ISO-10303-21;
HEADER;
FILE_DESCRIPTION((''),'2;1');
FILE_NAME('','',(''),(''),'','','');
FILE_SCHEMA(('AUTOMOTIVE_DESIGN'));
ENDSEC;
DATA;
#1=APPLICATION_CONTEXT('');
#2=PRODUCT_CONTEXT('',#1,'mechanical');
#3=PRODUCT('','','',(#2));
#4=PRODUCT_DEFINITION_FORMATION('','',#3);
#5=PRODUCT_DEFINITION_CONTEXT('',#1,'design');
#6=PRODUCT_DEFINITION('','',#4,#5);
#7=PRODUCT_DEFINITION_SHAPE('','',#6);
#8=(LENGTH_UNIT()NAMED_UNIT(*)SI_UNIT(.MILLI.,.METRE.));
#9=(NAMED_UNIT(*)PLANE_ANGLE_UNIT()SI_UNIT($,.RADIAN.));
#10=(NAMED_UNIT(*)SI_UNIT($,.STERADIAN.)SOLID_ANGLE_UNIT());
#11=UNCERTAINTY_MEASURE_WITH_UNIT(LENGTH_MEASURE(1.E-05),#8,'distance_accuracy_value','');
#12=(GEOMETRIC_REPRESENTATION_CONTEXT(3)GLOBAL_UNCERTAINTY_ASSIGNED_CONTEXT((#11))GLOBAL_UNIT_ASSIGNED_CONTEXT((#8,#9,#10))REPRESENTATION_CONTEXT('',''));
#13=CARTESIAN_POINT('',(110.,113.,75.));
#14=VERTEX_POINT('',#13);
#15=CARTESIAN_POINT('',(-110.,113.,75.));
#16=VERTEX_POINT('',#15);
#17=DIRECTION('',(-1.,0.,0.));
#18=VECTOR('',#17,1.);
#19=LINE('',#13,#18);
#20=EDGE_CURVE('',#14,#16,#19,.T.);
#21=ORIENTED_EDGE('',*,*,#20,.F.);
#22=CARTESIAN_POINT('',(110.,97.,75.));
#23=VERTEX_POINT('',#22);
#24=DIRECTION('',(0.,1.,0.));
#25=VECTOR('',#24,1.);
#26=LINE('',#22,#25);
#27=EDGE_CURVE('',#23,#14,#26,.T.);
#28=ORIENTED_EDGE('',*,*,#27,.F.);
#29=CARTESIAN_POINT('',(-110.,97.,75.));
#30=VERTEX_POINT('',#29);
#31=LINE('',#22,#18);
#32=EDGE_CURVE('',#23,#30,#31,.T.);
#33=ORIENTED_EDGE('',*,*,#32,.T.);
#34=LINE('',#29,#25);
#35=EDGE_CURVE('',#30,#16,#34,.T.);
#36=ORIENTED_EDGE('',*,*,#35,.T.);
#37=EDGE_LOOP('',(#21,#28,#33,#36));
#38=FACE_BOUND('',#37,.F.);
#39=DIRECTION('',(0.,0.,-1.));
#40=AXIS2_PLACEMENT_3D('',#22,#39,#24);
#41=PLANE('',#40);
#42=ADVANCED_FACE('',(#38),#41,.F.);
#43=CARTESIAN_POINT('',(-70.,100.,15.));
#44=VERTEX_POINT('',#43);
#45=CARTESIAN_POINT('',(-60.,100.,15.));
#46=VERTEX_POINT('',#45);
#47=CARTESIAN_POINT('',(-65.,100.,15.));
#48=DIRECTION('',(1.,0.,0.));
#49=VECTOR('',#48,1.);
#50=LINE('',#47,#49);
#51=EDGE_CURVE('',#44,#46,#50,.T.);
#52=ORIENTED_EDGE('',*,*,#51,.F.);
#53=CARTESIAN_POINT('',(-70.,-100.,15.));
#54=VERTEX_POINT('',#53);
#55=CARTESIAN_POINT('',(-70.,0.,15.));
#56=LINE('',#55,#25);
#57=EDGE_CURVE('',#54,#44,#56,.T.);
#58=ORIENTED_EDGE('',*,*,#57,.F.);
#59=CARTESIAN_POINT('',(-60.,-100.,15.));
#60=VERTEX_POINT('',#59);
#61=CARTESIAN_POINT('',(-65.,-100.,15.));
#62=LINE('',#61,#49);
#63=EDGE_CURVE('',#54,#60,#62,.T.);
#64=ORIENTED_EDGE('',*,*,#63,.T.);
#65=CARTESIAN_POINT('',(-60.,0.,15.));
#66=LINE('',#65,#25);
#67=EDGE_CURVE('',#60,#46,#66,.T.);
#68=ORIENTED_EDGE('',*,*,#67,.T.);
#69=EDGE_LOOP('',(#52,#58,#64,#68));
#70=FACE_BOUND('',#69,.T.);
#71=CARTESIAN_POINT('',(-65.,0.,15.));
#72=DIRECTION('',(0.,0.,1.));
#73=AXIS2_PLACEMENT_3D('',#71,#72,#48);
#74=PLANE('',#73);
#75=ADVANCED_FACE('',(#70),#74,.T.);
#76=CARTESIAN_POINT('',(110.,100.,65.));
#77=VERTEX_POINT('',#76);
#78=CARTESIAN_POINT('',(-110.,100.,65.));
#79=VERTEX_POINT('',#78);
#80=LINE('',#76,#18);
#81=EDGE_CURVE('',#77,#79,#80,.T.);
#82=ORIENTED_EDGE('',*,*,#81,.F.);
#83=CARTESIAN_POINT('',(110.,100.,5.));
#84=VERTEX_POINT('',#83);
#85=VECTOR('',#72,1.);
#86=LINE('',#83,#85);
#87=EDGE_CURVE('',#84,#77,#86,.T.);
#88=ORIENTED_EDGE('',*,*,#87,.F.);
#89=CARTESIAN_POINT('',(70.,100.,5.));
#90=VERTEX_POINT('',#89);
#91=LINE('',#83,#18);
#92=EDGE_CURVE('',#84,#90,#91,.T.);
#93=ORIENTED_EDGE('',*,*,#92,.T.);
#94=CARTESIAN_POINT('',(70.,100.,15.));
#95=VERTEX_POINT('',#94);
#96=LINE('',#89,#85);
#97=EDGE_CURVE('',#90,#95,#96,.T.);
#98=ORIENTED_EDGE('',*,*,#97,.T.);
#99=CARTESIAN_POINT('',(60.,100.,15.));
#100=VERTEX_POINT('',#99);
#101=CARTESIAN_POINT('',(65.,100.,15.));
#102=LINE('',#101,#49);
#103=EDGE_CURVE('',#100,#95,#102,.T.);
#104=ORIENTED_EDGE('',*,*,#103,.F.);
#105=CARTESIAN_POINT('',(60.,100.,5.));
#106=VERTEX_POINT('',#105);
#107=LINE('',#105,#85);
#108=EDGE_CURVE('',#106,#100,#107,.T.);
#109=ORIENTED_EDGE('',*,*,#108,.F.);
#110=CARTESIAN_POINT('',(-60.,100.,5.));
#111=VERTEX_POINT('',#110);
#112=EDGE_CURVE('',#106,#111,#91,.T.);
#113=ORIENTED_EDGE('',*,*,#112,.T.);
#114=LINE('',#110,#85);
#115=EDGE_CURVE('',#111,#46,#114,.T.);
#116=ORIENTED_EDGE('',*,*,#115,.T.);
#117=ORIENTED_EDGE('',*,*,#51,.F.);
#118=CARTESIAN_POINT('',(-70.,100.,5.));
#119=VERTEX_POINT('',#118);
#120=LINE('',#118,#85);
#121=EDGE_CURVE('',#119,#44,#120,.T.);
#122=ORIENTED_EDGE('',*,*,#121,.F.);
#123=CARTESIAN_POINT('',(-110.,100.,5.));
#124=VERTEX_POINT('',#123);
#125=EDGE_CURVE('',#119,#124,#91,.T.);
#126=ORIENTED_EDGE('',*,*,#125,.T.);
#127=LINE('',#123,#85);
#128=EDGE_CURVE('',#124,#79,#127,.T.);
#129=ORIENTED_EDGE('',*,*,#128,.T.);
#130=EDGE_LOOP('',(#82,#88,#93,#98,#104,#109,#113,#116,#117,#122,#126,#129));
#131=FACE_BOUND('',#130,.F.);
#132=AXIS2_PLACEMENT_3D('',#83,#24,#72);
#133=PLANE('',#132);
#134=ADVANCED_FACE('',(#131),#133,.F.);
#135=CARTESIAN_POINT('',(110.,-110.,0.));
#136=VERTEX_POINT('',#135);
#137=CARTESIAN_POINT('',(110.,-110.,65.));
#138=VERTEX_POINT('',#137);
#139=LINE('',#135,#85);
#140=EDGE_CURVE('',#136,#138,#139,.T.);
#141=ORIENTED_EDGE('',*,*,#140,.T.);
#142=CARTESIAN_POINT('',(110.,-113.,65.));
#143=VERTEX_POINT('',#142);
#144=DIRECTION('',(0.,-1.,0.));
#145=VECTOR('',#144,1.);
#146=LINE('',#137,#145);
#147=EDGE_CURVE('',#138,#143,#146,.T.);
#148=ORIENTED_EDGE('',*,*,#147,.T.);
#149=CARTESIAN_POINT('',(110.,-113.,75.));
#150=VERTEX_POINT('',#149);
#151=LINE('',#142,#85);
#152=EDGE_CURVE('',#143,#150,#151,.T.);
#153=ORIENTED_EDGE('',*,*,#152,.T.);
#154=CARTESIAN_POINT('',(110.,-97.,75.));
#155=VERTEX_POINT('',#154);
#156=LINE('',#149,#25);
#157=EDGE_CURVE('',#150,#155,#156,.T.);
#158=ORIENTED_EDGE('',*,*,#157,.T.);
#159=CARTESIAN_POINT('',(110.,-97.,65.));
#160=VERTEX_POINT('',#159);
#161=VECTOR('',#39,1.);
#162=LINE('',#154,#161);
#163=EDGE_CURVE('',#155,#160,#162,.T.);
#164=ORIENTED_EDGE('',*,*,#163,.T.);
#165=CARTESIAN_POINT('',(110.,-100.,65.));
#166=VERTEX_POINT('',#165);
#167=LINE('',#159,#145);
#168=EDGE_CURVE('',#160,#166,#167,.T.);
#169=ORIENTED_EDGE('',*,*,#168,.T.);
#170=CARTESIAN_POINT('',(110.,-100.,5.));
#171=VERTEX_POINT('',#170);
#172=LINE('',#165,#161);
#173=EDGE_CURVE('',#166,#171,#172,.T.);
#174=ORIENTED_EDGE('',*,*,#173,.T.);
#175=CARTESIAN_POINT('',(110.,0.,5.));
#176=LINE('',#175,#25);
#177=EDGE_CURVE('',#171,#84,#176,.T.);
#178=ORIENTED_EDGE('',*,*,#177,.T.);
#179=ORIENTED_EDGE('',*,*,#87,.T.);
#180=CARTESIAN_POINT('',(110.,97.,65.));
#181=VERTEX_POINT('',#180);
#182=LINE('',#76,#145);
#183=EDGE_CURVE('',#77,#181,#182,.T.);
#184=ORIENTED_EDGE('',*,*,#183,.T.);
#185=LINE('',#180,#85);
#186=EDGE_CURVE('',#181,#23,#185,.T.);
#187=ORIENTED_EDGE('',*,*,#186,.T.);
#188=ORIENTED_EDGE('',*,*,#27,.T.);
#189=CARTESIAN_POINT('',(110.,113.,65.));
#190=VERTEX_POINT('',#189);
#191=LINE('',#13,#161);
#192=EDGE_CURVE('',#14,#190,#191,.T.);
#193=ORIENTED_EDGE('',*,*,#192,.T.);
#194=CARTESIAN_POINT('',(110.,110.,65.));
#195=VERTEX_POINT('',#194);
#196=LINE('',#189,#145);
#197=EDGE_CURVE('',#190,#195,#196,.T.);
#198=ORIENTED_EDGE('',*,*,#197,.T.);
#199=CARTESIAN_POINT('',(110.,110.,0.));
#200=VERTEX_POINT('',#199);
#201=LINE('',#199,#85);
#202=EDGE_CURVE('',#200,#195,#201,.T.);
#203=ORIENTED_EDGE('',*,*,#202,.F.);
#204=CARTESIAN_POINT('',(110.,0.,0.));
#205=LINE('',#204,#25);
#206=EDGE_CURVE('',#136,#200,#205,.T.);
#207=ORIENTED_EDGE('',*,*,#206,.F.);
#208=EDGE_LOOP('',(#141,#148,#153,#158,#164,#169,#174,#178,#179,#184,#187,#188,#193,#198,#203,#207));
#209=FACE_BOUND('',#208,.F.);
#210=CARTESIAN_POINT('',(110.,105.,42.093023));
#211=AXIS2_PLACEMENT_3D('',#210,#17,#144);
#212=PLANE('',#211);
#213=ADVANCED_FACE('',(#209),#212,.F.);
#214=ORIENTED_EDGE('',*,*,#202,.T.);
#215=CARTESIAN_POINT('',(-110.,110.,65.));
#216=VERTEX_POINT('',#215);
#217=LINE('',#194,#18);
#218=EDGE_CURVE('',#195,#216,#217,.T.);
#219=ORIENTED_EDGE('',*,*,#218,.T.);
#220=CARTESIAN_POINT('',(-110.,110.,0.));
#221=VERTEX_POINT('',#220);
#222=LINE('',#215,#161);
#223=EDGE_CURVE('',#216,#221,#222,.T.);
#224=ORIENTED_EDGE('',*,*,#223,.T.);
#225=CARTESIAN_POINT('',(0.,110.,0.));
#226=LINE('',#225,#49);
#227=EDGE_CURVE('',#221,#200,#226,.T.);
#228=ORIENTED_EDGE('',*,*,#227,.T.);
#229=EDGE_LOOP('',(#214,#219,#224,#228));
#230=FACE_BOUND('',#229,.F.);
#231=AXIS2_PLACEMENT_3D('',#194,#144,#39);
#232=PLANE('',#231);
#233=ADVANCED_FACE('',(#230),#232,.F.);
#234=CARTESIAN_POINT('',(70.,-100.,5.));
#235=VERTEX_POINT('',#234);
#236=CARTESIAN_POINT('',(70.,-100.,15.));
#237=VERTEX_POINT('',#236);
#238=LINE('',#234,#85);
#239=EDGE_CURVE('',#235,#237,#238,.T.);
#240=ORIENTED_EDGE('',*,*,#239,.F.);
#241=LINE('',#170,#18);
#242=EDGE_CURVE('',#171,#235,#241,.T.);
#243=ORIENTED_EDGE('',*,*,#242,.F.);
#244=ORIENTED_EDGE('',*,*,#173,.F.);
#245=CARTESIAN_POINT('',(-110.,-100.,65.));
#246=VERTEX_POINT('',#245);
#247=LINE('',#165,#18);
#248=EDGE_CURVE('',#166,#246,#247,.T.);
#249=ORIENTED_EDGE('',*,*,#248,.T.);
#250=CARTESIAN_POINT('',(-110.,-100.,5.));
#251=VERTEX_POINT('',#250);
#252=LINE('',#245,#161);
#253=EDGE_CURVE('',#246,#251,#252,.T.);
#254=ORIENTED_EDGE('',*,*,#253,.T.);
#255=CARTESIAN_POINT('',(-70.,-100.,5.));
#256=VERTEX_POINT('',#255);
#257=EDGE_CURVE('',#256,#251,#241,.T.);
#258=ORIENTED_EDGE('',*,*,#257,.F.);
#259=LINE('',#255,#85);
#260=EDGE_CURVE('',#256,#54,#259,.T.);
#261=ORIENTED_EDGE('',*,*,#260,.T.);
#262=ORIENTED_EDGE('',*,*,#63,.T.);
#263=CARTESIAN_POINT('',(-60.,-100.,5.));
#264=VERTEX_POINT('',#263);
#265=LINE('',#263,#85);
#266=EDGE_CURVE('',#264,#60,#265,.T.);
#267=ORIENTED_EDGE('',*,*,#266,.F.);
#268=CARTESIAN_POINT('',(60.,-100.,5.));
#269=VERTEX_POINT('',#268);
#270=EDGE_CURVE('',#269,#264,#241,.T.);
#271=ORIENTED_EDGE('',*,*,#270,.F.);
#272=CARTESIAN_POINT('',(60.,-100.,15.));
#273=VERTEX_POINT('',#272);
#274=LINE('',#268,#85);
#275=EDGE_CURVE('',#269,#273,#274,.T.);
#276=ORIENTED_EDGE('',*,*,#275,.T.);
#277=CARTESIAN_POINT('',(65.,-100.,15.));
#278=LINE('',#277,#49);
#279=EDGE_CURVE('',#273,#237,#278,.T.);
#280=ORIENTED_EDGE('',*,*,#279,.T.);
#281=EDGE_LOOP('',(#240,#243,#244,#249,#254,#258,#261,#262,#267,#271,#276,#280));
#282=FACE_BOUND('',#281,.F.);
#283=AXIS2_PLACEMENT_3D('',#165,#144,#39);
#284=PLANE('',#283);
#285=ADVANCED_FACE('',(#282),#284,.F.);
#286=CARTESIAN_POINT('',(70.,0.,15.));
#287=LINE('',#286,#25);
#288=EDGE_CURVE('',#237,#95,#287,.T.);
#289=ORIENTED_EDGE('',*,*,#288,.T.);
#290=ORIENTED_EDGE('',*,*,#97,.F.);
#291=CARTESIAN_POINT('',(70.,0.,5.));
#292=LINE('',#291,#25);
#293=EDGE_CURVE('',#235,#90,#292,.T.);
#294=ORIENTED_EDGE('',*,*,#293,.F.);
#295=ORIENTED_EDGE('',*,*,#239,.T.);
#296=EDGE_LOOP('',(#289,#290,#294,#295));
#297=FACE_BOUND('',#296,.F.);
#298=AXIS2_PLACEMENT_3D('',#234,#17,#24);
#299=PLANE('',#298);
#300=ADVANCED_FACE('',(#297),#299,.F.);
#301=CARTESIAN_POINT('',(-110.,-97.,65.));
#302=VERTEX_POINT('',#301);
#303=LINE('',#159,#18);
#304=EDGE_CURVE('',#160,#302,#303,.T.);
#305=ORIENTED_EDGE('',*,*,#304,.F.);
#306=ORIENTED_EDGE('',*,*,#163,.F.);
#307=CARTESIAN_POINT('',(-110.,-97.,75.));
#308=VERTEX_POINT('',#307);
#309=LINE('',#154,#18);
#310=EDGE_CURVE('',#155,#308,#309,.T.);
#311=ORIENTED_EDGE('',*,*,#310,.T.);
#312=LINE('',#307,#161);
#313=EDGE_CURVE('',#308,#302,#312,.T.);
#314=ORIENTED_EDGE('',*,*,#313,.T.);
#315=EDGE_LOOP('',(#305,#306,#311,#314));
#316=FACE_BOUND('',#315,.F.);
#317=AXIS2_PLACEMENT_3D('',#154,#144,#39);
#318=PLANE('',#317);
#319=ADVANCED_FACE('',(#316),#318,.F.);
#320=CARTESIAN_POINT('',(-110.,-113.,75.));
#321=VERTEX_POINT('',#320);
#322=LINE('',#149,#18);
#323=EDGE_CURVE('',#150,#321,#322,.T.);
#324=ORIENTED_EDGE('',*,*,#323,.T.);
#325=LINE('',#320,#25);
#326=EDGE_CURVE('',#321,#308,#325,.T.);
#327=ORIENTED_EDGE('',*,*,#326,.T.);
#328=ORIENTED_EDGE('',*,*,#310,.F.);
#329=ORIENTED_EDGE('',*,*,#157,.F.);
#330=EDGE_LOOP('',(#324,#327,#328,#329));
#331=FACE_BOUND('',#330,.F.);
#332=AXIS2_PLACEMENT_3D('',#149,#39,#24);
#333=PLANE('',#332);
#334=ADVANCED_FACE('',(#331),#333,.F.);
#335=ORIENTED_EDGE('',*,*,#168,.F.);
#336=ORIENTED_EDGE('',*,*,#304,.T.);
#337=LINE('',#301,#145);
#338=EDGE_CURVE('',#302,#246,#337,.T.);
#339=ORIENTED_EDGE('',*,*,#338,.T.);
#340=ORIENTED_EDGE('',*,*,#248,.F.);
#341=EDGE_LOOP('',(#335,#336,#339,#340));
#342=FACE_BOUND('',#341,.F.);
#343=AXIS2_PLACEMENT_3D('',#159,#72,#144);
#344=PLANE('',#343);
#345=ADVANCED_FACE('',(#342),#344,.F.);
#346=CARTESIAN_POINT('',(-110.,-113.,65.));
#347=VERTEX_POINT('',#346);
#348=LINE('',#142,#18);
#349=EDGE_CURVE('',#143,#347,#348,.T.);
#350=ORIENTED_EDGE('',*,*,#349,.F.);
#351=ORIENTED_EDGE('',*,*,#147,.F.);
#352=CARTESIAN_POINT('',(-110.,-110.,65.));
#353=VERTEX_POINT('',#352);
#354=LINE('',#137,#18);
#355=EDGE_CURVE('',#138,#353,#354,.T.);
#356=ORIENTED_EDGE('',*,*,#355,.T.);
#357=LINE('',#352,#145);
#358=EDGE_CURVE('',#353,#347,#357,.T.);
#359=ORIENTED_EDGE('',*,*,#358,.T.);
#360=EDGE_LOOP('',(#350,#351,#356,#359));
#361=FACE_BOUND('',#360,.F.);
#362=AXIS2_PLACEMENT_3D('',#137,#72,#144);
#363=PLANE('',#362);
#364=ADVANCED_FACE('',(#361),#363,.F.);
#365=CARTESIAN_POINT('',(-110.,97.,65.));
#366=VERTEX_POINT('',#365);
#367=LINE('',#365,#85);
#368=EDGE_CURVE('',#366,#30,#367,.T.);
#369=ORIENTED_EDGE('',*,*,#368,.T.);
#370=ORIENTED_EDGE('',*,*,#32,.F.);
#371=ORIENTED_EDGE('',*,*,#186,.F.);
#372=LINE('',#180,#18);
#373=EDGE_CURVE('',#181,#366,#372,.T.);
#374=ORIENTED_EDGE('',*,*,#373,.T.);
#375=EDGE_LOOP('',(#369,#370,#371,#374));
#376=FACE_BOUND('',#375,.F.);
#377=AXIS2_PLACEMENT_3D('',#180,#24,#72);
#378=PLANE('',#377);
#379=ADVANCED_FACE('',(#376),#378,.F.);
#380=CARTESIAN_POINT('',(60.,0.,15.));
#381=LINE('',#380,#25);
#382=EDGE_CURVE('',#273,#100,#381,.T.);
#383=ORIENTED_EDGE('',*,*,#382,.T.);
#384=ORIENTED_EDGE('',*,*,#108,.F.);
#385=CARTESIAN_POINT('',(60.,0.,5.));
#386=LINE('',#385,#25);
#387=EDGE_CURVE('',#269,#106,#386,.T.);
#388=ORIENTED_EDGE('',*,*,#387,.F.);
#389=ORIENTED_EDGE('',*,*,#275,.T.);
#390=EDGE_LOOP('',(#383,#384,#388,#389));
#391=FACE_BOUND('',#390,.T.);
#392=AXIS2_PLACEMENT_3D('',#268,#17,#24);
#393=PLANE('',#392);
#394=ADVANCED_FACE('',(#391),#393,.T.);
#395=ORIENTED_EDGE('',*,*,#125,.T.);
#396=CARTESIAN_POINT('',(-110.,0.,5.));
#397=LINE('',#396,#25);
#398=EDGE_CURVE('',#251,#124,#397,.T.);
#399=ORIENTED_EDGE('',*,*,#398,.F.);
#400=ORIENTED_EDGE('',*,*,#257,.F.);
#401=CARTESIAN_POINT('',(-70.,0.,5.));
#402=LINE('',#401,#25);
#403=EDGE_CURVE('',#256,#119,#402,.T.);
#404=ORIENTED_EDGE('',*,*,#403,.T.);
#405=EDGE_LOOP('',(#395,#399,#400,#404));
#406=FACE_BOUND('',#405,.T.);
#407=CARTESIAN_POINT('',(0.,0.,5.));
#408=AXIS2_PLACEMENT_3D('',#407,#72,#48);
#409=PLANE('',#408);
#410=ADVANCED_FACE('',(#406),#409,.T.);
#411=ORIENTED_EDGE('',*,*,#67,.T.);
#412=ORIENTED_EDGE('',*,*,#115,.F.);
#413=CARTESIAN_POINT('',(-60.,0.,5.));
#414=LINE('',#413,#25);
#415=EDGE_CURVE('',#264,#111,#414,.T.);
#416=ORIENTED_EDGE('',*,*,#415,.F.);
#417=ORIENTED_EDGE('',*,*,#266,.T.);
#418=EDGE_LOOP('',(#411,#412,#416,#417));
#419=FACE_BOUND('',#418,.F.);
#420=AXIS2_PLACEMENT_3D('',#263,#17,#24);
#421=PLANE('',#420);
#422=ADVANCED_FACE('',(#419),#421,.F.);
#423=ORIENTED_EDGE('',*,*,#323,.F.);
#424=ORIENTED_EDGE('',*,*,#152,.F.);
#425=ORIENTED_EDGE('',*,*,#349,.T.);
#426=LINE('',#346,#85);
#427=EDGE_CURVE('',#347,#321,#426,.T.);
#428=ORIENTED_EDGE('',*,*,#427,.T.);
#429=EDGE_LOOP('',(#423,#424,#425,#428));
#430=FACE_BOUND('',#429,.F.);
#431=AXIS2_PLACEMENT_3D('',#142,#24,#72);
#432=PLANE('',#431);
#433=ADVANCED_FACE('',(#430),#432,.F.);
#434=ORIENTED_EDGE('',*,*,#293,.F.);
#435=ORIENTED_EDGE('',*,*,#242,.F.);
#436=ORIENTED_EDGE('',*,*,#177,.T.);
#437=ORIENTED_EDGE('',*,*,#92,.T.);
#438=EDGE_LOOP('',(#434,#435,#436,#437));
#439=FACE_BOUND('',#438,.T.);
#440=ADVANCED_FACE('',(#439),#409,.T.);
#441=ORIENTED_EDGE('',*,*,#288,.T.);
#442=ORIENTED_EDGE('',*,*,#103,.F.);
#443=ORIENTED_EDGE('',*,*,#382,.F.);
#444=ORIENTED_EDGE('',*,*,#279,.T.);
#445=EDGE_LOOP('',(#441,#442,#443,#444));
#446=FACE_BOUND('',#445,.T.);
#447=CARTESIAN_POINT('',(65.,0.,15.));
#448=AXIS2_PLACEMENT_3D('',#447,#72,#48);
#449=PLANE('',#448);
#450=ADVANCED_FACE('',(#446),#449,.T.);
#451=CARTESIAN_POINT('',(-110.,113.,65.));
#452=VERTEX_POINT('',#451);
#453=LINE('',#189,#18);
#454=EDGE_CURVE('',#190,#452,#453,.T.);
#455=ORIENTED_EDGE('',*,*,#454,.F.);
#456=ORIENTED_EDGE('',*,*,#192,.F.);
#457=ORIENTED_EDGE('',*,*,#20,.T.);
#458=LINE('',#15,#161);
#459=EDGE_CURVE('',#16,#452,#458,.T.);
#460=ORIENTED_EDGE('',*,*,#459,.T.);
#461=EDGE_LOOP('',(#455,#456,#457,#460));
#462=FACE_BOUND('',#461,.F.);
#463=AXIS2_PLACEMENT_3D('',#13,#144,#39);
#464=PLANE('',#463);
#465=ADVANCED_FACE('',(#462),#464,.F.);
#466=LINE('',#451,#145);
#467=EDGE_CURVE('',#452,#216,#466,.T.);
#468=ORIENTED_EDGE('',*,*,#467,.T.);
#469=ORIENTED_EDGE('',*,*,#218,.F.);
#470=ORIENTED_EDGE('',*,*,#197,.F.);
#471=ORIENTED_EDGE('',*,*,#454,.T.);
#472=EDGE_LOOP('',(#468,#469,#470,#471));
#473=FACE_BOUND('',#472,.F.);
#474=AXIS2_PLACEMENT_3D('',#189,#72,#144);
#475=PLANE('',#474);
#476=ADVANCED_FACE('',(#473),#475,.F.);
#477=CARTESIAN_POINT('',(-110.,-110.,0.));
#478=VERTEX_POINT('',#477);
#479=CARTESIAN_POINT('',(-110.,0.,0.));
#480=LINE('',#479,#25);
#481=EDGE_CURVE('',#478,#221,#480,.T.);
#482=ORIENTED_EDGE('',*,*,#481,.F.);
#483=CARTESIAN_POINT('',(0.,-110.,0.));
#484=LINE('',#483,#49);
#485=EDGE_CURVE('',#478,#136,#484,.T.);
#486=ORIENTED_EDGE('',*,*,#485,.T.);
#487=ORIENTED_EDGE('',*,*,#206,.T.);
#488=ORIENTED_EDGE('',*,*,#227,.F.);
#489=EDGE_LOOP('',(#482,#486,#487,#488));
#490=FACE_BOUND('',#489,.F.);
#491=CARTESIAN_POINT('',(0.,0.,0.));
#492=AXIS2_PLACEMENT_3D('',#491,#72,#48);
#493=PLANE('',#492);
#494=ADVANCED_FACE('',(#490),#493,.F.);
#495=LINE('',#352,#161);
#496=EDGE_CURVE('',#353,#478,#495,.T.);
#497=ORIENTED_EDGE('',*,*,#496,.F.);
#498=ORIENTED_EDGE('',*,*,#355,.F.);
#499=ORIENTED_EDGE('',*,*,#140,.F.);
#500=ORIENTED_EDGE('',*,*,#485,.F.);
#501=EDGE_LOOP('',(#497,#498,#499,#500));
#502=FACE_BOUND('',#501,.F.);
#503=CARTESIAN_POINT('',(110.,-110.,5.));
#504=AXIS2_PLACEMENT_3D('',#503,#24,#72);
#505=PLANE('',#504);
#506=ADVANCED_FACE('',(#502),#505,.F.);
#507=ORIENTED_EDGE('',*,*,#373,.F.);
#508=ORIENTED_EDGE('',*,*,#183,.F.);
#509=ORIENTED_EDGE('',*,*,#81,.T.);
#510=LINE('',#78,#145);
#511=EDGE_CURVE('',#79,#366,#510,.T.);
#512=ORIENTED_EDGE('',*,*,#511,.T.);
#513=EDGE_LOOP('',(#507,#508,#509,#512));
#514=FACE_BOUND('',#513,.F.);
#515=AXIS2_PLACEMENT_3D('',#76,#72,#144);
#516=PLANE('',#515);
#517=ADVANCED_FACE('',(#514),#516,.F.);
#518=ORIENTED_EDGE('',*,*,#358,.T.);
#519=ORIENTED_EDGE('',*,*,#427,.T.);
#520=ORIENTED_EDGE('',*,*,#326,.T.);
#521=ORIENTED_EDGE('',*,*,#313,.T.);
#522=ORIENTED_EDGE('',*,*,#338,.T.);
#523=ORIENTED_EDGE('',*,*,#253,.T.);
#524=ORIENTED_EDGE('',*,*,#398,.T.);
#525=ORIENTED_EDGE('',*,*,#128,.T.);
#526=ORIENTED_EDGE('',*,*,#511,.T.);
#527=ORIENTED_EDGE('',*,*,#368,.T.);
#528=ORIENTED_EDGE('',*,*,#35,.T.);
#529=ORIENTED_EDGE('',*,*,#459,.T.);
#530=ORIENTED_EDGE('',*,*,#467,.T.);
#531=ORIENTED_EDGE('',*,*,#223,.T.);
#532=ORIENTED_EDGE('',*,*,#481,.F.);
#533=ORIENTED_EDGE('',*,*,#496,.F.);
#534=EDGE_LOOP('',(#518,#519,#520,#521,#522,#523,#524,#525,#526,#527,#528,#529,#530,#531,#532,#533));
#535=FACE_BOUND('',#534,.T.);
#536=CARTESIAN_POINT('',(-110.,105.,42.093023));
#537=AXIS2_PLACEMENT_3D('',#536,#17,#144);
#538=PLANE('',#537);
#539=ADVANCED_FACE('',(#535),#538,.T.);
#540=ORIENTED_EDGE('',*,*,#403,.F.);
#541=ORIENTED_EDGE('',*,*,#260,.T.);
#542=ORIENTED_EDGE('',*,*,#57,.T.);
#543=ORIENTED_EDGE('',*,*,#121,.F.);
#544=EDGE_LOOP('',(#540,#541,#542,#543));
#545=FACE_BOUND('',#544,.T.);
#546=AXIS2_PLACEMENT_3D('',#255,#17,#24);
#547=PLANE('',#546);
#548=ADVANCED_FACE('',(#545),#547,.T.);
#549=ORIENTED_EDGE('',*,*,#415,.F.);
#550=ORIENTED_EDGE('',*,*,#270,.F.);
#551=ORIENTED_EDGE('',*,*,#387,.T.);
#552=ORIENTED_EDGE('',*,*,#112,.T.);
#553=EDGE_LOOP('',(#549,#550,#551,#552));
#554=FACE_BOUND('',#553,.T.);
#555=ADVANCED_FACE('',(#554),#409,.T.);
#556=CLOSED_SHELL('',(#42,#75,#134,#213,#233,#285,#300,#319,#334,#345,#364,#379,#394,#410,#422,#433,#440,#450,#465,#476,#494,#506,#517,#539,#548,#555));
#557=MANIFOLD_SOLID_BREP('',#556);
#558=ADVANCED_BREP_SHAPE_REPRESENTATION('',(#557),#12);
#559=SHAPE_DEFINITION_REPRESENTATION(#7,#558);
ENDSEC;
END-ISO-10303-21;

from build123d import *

# Parameters (mm, degrees)
SKETCH_W            = 220
SKETCH_H            = 220
PAD_DEPTH           = 5
PAD001_DEPTH        = 220
LINEARPATTERN_COUNT = 2
LINEARPATTERN_PITCH = 210
SKETCH003_W         = 10
SKETCH003_H         = 200
PAD003_DEPTH        = 10


with BuildPart() as part:
    # Sketch → Pad (new body)
    with BuildSketch(Plane.XY):
        Rectangle(SKETCH_W, SKETCH_H)
    extrude(amount=PAD_DEPTH)

    # Sketch001 (on Face2 of Pad) → Pad001 (join)
    with BuildSketch(Plane.YZ.offset(110)):
        Polygon((-110, 5), (-110, 65), (-113, 65), (-113, 75), (-97, 75), (-97, 65), (-100, 65), (-100, 5), align=None)
    pad001 = extrude(amount=-PAD001_DEPTH)

    # LinearPattern: Pad001 ×2
    with Locations(*[(0, i * LINEARPATTERN_PITCH, 0) for i in range(1, LINEARPATTERN_COUNT)]):
        add(pad001)

    # Sketch003 (on Face7 of LinearPattern) → Pad003 (join)
    with BuildSketch(Plane.XY.offset(5)):
        with Locations((-65, 0)):
            Rectangle(SKETCH003_W, SKETCH003_H)
        with Locations((65, 0)):
            Rectangle(SKETCH003_W, SKETCH003_H)
    extrude(amount=PAD003_DEPTH)


solid = part.part
